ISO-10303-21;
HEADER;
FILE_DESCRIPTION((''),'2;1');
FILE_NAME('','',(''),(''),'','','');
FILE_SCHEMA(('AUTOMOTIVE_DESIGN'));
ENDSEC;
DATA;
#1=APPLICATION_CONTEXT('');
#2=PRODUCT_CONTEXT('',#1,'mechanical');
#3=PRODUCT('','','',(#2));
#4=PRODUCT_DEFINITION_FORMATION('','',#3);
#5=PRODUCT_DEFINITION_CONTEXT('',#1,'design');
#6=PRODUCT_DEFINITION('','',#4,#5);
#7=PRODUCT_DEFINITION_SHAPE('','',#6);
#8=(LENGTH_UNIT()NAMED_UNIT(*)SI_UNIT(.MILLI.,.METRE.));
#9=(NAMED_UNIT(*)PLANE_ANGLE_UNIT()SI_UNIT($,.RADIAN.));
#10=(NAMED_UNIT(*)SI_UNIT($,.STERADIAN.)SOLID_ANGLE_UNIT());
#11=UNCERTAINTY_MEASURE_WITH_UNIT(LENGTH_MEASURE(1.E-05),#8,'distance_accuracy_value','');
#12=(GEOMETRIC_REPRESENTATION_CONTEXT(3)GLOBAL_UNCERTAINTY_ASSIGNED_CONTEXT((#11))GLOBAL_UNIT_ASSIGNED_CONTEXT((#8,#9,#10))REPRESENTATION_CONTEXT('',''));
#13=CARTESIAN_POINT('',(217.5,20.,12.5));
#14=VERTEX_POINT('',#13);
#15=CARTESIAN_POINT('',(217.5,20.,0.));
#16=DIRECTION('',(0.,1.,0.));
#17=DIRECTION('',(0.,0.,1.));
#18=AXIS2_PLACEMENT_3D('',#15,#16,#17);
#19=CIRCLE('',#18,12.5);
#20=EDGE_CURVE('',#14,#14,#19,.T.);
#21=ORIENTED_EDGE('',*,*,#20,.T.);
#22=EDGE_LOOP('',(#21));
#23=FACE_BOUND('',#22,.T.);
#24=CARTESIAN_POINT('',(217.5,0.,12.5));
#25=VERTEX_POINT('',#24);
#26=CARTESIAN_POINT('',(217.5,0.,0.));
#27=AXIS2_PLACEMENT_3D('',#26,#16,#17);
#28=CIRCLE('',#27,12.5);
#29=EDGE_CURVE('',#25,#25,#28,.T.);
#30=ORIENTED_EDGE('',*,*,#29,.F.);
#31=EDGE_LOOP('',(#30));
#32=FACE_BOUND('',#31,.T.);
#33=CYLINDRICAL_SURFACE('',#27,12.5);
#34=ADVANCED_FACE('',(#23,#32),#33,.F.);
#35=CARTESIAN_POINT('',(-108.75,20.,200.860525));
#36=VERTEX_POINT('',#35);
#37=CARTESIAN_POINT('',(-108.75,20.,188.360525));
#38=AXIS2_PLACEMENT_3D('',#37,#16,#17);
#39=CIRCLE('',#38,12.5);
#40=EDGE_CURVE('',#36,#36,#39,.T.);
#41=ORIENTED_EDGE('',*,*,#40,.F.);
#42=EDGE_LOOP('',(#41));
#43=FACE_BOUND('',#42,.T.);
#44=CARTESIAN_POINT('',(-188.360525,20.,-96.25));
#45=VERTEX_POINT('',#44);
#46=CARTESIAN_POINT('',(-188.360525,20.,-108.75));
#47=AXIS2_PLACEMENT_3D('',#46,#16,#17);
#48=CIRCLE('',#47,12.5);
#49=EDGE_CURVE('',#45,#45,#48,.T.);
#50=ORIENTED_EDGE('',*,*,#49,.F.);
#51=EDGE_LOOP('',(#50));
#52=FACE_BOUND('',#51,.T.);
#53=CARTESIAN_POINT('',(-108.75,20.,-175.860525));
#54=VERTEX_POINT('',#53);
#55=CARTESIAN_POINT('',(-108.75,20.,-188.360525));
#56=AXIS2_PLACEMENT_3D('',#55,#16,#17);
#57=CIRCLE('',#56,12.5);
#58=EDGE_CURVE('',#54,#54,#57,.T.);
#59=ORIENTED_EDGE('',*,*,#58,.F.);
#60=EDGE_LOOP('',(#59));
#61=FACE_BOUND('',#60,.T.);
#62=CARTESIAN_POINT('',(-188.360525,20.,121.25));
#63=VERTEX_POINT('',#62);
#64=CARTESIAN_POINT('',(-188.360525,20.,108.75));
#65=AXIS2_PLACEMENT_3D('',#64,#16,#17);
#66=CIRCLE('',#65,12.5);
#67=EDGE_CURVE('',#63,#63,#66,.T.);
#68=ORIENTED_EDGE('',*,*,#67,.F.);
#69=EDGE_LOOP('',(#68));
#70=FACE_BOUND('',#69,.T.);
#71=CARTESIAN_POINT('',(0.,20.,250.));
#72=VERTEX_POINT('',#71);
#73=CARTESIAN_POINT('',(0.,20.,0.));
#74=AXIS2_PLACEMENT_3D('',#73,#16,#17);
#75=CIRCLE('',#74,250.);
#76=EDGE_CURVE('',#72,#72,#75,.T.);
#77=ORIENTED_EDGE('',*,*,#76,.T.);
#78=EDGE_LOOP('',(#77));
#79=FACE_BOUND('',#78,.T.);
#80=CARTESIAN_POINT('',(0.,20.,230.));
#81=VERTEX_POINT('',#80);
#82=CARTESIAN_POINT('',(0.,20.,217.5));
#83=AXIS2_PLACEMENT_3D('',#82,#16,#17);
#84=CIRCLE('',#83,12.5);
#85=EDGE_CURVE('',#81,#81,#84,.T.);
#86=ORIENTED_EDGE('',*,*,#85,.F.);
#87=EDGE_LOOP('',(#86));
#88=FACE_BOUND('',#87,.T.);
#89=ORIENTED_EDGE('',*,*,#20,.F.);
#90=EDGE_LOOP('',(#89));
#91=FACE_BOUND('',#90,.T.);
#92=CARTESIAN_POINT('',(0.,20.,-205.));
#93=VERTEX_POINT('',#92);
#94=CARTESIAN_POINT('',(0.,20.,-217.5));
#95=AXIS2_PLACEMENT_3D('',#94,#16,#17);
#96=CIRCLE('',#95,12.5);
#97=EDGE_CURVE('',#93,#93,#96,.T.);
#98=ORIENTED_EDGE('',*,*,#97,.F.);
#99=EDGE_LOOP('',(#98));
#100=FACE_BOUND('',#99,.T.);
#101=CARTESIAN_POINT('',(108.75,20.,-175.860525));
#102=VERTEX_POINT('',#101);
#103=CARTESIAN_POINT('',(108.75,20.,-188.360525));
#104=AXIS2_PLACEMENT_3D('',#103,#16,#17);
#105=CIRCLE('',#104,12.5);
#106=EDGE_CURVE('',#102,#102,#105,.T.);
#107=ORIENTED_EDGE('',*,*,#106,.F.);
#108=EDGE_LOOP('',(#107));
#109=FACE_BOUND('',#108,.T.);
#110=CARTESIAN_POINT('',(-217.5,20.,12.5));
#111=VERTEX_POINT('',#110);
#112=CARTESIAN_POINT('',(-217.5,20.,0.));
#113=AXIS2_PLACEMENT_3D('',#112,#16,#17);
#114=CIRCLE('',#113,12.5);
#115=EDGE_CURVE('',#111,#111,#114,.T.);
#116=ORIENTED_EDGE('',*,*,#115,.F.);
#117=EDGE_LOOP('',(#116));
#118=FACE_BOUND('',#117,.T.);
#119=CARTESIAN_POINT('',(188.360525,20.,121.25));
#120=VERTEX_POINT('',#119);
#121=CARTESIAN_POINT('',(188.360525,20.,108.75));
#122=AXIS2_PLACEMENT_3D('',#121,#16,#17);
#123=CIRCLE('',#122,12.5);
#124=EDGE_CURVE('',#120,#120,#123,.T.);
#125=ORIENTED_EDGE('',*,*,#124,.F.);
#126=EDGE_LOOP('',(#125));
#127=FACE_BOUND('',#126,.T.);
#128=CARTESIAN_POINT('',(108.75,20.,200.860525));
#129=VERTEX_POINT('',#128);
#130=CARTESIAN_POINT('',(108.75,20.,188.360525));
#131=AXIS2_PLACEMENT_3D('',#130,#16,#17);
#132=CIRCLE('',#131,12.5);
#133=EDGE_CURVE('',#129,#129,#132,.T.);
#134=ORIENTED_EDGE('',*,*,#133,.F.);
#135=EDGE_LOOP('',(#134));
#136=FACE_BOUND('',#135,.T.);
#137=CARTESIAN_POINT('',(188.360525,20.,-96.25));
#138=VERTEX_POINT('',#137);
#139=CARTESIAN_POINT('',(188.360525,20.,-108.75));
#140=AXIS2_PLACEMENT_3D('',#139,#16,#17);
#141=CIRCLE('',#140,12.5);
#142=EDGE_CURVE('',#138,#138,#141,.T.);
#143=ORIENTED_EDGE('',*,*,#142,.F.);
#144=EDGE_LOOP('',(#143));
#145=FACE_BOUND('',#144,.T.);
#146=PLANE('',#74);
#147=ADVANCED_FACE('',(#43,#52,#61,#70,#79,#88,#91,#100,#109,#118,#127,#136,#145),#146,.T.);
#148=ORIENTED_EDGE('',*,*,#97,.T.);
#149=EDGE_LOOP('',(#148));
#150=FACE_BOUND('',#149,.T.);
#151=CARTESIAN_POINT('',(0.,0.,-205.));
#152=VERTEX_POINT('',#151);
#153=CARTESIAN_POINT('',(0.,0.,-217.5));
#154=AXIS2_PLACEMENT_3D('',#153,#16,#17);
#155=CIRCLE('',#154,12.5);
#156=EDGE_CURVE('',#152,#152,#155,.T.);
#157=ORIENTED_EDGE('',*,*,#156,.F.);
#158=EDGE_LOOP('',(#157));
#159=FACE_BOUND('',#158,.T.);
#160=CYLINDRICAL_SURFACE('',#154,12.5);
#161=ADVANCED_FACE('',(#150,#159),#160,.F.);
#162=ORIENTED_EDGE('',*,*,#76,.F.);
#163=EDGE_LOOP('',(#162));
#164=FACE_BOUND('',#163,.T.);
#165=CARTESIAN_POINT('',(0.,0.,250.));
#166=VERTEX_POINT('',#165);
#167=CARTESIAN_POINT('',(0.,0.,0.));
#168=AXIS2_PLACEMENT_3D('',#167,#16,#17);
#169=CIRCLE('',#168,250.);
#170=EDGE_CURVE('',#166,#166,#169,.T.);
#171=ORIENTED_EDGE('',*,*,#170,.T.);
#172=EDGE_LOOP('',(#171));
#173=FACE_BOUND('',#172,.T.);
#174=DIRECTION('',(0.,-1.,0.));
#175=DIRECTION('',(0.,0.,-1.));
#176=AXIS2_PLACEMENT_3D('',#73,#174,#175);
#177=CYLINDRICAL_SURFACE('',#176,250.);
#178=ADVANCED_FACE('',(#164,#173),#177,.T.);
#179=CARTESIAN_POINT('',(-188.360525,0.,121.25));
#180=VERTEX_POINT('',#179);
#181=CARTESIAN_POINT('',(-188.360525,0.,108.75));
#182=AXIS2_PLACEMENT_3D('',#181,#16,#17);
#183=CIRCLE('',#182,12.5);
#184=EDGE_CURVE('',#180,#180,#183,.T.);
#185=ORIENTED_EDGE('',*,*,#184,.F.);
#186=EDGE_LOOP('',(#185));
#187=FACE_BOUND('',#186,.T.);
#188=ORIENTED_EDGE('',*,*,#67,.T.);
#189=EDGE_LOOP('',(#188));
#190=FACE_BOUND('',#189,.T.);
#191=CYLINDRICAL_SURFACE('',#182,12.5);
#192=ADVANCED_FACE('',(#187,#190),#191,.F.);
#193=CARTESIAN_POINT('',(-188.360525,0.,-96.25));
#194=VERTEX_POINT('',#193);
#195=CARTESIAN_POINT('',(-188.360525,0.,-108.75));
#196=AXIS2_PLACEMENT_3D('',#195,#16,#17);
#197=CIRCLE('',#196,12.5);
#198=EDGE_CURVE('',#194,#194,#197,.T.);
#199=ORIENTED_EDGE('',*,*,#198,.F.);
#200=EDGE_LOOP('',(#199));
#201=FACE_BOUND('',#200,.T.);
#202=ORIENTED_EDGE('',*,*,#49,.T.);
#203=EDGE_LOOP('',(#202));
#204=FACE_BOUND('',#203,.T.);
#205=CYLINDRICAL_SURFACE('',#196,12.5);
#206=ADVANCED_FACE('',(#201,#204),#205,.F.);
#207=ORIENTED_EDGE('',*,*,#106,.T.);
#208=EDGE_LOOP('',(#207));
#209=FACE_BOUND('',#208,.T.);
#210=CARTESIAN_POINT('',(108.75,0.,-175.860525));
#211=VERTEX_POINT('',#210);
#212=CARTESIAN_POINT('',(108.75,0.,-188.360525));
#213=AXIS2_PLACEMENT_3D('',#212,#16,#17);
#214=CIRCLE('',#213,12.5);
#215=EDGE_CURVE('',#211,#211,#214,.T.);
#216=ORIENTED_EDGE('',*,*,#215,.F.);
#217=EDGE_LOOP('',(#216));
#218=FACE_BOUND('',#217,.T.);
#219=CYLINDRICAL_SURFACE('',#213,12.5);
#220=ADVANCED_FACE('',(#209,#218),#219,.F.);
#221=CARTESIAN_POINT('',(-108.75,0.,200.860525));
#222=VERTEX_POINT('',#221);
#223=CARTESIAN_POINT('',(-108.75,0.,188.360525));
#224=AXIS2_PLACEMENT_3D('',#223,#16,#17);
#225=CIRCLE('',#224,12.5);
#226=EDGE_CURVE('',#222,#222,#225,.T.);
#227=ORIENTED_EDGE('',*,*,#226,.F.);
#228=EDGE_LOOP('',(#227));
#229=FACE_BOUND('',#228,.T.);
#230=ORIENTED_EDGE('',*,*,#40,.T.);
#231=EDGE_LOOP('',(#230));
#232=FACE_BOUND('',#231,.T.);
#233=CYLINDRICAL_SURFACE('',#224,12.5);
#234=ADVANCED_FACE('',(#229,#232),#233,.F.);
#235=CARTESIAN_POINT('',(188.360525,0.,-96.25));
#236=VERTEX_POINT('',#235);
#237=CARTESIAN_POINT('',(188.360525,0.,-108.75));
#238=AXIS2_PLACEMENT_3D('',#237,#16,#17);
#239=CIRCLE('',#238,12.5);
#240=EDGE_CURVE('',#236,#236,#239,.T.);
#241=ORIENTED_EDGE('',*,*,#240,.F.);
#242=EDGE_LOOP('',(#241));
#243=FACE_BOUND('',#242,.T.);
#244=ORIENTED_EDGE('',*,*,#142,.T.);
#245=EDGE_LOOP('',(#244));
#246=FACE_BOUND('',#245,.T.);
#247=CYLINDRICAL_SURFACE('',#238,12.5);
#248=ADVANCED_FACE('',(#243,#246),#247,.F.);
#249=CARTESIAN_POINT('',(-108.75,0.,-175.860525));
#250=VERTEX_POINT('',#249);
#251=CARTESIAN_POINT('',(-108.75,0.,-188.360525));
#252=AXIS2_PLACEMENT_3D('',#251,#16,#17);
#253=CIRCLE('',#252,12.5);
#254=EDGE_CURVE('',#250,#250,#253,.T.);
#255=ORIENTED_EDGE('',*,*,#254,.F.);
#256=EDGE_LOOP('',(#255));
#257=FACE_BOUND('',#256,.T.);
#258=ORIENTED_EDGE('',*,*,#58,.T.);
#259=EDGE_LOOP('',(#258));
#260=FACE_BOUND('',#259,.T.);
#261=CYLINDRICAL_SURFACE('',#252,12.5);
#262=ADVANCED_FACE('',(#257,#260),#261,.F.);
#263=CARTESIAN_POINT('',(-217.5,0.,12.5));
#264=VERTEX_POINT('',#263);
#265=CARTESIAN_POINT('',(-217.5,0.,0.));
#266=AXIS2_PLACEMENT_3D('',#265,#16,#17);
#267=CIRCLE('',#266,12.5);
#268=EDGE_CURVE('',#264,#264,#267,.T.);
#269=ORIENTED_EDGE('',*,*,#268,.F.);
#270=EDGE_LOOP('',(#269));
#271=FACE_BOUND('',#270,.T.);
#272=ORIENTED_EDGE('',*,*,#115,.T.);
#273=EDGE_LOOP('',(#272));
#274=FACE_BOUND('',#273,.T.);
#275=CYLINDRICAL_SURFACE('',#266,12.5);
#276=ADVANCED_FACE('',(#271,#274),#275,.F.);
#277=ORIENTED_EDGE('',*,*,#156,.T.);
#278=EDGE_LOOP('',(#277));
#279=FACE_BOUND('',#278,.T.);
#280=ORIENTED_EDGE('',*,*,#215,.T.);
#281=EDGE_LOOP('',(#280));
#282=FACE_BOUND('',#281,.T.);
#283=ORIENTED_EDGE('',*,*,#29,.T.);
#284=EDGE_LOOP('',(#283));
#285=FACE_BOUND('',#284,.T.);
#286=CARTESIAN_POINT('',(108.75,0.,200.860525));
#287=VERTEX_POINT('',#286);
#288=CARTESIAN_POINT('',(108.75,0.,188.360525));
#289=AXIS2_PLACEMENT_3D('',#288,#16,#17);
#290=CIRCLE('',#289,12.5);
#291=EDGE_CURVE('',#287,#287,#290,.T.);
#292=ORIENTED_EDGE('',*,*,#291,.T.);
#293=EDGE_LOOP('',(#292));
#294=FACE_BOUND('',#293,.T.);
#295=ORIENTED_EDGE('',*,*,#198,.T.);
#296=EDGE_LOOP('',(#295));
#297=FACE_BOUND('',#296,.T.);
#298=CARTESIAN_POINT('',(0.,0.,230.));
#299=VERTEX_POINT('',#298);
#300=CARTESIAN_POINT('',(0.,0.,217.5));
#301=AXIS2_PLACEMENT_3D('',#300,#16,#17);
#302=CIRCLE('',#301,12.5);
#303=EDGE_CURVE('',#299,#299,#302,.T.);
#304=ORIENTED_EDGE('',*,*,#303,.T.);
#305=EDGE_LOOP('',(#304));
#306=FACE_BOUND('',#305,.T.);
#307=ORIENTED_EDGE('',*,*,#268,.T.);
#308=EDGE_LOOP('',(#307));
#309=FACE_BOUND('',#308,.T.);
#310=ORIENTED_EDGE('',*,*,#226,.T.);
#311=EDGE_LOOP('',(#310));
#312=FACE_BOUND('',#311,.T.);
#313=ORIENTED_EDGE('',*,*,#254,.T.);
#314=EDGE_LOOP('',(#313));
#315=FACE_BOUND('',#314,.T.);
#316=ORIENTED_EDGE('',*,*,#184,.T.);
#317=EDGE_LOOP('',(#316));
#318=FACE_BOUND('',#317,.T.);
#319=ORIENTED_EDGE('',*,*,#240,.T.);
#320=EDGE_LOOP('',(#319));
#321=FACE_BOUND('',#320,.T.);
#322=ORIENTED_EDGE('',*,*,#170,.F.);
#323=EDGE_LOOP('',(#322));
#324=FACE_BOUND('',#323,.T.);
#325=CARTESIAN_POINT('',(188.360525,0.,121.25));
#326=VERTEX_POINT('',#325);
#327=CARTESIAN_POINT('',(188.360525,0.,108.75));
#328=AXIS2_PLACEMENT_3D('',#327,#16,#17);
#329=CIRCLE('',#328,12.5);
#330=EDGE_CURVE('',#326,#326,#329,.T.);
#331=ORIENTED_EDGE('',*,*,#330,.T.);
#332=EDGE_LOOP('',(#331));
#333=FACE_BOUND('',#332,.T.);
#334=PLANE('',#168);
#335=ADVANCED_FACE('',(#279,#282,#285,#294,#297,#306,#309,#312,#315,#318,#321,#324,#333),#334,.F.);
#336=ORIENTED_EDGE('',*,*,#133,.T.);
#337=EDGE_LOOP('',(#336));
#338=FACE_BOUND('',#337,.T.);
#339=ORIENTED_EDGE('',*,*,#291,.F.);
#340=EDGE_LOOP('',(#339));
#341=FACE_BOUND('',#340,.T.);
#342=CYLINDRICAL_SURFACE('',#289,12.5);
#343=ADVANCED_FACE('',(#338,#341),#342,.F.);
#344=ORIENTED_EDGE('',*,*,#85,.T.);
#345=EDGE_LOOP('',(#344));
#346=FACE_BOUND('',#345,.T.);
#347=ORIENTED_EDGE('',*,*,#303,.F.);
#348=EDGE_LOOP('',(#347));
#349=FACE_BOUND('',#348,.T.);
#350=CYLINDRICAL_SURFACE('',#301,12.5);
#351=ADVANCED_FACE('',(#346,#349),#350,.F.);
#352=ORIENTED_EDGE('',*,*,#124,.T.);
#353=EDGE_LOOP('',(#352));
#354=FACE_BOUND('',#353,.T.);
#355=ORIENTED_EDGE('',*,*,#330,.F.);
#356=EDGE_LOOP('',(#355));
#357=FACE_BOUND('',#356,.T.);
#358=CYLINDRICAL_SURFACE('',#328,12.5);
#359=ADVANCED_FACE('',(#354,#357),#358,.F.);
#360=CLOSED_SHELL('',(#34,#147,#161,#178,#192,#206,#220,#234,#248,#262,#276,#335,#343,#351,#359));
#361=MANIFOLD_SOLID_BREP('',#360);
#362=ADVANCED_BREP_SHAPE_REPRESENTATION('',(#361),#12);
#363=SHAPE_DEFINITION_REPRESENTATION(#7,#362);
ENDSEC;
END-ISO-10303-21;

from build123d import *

# Parameters (mm, degrees)
SKETCH1_R           = 250
BOSS_EXTRUDE1_DEPTH = 20
SKETCH2_R           = 12.5
CUT_EXTRUDE1_DEPTH  = 20


with BuildPart() as part:
    # Sketch1 → Boss-Extrude1 (new body)
    with BuildSketch(Plane(origin=(0, 0, 0), x_dir=(1, 0, 0), z_dir=(0, 1, 0))):
        with Locations(Location((0, 0, 0), (0, 0, 270))):
            Circle(SKETCH1_R)
    extrude(amount=BOSS_EXTRUDE1_DEPTH)

    # Sketch2 → Cut-Extrude1 (cut)
    with BuildSketch(Plane(origin=(0, 20, 0), x_dir=(1, 0, 0), z_dir=(0, 1, 0))):
        with Locations(Location((0, 217.5, 0), (0, 0, 270))):
            Circle(SKETCH2_R)
        with Locations(Location((108.75, 188.360525323, 0), (0, 0, 270))):
            Circle(SKETCH2_R)
        with Locations(Location((188.360525323, 108.75, 0), (0, 0, 270))):
            Circle(SKETCH2_R)
        with Locations(Location((217.5, 0, 0), (0, 0, 270))):
            Circle(SKETCH2_R)
        with Locations(Location((188.360525323, -108.75, 0), (0, 0, 270))):
            Circle(SKETCH2_R)
        with Locations(Location((108.75, -188.360525323, 0), (0, 0, 270))):
            Circle(SKETCH2_R)
        with Locations(Location((0, -217.5, 0), (0, 0, 270))):
            Circle(SKETCH2_R)
        with Locations(Location((-108.75, -188.360525323, 0), (0, 0, 270))):
            Circle(SKETCH2_R)
        with Locations(Location((-188.360525323, -108.75, 0), (0, 0, 270))):
            Circle(SKETCH2_R)
        with Locations(Location((-217.5, 0, 0), (0, 0, 270))):
            Circle(SKETCH2_R)
        with Locations(Location((-188.360525323, 108.75, 0), (0, 0, 270))):
            Circle(SKETCH2_R)
        with Locations(Location((-108.75, 188.360525323, 0), (0, 0, 270))):
            Circle(SKETCH2_R)
    extrude(amount=-CUT_EXTRUDE1_DEPTH, mode=Mode.SUBTRACT)


solid = part.part
